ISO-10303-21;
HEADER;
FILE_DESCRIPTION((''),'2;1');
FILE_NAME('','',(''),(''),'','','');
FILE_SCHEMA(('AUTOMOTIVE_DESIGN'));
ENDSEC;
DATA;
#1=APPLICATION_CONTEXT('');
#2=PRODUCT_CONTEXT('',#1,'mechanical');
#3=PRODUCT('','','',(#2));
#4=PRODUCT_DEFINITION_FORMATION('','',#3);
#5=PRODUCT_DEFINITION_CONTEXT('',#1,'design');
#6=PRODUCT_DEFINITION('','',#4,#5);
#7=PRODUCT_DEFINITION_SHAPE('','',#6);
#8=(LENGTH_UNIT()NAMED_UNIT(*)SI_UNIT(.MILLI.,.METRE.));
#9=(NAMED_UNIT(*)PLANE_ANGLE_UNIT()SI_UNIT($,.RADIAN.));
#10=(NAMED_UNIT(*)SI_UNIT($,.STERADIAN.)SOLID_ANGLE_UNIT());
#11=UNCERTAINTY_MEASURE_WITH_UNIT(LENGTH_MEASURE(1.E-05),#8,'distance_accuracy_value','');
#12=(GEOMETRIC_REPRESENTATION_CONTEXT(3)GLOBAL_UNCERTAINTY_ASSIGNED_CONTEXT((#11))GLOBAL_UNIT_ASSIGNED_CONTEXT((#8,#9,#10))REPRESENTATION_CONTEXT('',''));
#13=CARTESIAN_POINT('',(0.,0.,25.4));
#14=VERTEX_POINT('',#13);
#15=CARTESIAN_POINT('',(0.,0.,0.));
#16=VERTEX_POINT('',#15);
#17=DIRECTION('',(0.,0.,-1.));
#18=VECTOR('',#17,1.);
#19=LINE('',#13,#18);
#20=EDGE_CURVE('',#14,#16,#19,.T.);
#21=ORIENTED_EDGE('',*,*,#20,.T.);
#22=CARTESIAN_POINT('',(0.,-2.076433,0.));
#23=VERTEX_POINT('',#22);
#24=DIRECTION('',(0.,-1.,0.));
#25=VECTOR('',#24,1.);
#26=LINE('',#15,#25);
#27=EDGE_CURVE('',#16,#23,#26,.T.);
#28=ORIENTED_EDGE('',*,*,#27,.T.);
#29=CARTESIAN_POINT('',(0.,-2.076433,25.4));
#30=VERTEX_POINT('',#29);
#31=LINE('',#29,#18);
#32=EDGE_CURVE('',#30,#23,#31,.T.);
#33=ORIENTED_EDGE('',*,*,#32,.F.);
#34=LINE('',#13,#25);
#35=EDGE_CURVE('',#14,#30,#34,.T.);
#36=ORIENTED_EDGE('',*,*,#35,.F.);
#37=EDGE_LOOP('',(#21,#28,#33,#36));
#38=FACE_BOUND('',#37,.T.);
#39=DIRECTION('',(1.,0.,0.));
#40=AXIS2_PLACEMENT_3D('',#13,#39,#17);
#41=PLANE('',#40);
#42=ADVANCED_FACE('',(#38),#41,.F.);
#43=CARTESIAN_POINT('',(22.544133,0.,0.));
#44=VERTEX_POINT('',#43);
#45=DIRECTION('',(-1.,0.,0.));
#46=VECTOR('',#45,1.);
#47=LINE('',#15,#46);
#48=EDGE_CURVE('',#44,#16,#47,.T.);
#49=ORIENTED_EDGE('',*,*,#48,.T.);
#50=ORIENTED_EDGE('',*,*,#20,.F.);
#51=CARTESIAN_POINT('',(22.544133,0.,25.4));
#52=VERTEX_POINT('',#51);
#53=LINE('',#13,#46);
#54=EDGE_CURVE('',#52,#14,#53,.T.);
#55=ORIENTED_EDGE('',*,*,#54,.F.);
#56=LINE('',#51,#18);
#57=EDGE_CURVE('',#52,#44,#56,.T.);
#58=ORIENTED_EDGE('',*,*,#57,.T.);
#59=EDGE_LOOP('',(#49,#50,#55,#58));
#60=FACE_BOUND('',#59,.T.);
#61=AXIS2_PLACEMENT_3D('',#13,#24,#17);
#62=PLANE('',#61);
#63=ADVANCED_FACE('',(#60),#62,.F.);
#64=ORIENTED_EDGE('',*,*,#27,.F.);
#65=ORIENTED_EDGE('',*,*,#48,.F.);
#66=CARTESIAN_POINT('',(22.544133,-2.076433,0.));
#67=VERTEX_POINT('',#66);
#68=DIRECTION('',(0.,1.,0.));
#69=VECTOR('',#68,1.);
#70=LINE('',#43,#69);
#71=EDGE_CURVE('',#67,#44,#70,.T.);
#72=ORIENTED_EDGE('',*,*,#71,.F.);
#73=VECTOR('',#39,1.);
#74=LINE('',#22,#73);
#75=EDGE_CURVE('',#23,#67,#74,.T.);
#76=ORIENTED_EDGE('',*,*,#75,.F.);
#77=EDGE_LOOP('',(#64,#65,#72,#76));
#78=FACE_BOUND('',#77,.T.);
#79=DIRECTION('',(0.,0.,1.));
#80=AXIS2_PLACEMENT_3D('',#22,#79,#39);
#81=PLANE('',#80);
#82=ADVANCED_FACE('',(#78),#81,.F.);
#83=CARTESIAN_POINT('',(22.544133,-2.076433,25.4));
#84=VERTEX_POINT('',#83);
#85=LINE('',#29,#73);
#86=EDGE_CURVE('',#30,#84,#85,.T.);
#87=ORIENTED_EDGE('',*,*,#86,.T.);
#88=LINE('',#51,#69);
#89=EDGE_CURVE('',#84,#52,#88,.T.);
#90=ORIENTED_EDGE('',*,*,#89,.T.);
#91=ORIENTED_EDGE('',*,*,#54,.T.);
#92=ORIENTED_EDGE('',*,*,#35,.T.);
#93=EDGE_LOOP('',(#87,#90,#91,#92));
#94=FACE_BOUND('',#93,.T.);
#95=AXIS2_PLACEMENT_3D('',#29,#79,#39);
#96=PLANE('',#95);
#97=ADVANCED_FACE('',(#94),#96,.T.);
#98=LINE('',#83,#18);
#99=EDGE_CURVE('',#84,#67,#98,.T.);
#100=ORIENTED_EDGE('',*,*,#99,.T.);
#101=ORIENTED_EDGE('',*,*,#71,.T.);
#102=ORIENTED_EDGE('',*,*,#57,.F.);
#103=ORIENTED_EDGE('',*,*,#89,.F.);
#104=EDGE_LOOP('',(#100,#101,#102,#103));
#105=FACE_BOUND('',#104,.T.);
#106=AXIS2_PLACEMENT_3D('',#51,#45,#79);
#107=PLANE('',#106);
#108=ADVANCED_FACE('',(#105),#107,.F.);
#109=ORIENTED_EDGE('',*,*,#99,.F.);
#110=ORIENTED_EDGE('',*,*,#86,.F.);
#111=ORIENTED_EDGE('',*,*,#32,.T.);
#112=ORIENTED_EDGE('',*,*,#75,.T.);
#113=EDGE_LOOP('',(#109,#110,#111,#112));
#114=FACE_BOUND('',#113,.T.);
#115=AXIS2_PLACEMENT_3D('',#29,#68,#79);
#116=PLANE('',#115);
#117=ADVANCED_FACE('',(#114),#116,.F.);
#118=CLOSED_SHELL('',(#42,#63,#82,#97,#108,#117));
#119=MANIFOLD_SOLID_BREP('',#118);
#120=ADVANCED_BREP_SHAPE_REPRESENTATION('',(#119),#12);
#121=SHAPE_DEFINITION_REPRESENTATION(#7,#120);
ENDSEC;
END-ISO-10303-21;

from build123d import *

# Parameters (mm, degrees)
SKETCH1_W      = 22.544133333
SKETCH1_H      = 2.076433333
EXTRUDE1_DEPTH = 25.4


with BuildPart() as part:
    # Sketch1 → Extrude1 (new body)
    with BuildSketch(Plane.XY):
        with Locations((11.272066667, -1.038216667)):
            Rectangle(SKETCH1_W, SKETCH1_H)
    extrude(amount=EXTRUDE1_DEPTH)


solid = part.part
